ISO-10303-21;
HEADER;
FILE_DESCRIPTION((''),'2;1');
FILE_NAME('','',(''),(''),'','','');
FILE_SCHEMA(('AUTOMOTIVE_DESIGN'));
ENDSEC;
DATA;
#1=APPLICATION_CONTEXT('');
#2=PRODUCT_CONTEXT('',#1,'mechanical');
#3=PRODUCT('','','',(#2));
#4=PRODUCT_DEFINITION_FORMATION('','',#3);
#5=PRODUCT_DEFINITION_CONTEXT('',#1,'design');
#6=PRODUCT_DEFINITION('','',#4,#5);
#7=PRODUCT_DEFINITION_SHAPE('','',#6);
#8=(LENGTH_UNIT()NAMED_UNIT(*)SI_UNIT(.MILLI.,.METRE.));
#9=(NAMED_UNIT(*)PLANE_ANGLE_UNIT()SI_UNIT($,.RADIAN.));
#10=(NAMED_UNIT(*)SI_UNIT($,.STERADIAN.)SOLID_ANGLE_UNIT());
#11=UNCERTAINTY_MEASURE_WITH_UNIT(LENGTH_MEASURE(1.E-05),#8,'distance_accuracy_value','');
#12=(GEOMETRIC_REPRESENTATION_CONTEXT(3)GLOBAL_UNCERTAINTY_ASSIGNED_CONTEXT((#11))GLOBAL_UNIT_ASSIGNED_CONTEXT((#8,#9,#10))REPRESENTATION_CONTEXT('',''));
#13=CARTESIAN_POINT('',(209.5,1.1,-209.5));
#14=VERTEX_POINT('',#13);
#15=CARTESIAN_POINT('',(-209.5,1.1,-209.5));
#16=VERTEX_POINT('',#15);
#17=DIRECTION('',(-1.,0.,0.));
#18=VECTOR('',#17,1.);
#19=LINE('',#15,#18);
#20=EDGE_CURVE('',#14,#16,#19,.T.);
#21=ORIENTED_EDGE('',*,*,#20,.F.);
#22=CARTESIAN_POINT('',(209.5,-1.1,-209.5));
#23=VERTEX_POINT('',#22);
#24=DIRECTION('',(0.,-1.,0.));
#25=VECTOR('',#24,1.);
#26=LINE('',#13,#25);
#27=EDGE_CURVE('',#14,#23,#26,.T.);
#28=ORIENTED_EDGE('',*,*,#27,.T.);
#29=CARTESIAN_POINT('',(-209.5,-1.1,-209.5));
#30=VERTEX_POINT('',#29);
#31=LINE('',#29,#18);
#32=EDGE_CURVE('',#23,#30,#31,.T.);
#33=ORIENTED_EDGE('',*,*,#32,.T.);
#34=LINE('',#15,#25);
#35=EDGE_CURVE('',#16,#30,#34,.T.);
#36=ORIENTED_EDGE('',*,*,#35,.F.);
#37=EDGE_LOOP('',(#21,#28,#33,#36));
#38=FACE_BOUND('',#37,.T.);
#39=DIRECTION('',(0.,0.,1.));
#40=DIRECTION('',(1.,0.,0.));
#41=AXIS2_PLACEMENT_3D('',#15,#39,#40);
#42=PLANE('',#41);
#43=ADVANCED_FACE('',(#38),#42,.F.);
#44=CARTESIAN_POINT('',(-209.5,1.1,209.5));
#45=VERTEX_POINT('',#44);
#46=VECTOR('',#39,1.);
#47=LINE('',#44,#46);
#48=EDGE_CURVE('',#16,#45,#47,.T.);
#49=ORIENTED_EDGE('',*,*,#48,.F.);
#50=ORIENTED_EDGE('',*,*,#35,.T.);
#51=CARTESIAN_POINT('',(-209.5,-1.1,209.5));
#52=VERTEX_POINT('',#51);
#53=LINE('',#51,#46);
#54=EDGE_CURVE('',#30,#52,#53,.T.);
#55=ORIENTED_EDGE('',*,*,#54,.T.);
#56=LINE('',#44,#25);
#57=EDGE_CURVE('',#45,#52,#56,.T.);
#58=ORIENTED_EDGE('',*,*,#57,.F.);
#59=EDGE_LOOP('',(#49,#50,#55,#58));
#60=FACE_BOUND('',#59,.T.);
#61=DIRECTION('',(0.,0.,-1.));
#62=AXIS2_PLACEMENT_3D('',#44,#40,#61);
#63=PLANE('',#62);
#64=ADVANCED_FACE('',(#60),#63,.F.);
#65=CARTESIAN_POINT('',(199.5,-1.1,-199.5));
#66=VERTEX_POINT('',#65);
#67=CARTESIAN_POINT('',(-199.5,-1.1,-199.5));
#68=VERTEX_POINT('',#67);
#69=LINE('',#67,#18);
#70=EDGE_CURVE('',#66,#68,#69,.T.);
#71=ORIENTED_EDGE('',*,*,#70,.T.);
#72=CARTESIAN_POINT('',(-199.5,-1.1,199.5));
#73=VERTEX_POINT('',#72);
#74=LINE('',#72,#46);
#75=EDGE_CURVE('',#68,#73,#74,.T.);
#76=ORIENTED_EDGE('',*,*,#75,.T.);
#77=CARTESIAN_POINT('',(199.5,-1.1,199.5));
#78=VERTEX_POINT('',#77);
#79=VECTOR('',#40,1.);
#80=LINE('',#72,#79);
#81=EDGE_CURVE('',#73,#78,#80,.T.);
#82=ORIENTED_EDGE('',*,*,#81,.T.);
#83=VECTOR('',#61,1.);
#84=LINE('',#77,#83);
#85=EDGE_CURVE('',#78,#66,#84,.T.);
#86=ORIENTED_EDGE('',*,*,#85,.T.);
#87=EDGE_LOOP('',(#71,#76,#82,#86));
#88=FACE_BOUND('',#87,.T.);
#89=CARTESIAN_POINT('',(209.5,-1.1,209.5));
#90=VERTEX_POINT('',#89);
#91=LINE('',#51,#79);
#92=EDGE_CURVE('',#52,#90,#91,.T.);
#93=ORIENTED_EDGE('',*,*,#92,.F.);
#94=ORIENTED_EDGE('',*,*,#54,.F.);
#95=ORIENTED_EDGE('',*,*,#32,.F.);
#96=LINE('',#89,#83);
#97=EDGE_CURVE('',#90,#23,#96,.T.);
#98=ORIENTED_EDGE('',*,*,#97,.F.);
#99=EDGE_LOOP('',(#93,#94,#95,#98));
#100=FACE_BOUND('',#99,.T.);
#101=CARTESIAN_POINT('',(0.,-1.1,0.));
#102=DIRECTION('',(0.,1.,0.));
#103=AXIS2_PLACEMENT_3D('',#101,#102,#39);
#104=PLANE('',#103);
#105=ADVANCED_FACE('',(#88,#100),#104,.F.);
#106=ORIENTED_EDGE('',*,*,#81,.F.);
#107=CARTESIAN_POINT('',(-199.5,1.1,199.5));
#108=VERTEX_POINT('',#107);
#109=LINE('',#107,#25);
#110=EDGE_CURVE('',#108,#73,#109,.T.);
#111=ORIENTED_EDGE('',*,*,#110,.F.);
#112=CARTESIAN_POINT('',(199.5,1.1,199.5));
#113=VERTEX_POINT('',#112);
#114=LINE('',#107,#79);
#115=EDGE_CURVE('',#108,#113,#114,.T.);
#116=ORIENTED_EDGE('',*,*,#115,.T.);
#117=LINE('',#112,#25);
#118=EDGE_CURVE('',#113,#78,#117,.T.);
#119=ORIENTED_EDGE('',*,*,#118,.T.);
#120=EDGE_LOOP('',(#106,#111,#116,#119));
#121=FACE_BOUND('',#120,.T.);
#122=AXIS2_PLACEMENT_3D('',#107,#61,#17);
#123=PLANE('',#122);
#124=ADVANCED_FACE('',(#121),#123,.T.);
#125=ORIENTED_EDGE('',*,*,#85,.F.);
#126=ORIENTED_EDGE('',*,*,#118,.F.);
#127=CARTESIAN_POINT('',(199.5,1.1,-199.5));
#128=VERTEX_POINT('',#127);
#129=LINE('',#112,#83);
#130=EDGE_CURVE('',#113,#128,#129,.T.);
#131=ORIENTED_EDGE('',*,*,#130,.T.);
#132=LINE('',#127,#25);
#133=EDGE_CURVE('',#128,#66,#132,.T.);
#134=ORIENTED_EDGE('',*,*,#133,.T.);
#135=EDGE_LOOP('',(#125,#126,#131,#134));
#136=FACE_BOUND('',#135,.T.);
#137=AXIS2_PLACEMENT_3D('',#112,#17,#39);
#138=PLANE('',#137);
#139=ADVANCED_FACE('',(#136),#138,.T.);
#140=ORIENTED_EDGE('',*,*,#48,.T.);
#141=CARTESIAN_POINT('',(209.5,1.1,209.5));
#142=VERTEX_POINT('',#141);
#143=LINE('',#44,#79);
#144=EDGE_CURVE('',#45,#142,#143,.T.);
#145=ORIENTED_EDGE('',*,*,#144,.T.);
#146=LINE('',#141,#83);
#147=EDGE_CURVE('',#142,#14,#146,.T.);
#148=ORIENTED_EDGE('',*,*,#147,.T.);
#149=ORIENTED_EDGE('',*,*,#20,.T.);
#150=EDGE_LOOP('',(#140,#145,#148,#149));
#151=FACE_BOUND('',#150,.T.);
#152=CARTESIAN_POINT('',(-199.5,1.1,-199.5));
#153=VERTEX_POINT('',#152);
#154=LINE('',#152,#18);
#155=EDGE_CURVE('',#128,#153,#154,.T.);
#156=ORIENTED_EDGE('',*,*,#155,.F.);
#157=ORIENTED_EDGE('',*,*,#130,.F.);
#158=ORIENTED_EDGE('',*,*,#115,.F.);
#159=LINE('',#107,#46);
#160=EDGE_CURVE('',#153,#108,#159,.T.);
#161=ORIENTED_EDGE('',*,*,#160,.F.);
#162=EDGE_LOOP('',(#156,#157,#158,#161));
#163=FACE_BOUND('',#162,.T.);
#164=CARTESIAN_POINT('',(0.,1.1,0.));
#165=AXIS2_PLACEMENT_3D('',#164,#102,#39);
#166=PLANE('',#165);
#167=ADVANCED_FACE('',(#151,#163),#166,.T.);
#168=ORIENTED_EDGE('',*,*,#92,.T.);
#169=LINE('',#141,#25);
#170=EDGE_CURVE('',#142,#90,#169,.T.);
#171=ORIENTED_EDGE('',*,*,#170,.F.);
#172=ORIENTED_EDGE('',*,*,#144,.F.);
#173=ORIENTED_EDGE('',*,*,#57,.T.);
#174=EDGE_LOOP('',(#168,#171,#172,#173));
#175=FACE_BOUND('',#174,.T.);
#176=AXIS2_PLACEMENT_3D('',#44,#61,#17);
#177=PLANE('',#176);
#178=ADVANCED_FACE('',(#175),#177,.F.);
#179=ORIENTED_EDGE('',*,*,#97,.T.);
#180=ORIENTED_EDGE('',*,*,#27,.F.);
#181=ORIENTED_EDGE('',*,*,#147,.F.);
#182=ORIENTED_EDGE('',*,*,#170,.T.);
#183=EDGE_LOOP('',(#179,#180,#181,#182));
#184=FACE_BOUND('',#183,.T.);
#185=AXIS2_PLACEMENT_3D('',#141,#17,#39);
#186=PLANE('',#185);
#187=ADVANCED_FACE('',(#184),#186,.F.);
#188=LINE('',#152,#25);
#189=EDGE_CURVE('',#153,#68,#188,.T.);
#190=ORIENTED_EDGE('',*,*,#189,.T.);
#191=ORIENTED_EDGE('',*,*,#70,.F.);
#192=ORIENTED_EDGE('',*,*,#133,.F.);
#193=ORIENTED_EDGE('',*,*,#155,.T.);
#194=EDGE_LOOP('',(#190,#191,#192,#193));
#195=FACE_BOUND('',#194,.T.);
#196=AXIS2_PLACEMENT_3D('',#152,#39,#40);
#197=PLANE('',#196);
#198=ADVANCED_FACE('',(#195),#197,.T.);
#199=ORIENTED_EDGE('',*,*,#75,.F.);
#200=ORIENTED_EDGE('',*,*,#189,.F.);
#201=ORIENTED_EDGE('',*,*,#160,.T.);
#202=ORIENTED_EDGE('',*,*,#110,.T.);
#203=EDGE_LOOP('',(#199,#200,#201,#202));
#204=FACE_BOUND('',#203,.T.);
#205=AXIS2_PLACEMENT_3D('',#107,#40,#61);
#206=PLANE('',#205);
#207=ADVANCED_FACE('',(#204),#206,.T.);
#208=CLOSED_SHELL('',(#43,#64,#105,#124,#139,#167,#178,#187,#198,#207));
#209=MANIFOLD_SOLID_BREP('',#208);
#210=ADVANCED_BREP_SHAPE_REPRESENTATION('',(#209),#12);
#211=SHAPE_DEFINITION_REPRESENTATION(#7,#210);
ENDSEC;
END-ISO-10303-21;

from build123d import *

# Parameters (mm, degrees)
SKETCH1_W           = 419
SKETCH1_H           = 419
SKETCH1_W_2         = 399
SKETCH1_H_2         = 399
BOSS_EXTRUDE1_DEPTH = 1.1


with BuildPart() as part:
    # Sketch1 → Boss-Extrude1 (new, symmetric)
    with BuildSketch(Plane(origin=(0, 0, 0), x_dir=(1, 0, 0), z_dir=(0, 1, 0))):
        Rectangle(SKETCH1_W, SKETCH1_H)
        Rectangle(SKETCH1_W_2, SKETCH1_H_2, mode=Mode.SUBTRACT)
    extrude(amount=BOSS_EXTRUDE1_DEPTH, both=True)


solid = part.part
